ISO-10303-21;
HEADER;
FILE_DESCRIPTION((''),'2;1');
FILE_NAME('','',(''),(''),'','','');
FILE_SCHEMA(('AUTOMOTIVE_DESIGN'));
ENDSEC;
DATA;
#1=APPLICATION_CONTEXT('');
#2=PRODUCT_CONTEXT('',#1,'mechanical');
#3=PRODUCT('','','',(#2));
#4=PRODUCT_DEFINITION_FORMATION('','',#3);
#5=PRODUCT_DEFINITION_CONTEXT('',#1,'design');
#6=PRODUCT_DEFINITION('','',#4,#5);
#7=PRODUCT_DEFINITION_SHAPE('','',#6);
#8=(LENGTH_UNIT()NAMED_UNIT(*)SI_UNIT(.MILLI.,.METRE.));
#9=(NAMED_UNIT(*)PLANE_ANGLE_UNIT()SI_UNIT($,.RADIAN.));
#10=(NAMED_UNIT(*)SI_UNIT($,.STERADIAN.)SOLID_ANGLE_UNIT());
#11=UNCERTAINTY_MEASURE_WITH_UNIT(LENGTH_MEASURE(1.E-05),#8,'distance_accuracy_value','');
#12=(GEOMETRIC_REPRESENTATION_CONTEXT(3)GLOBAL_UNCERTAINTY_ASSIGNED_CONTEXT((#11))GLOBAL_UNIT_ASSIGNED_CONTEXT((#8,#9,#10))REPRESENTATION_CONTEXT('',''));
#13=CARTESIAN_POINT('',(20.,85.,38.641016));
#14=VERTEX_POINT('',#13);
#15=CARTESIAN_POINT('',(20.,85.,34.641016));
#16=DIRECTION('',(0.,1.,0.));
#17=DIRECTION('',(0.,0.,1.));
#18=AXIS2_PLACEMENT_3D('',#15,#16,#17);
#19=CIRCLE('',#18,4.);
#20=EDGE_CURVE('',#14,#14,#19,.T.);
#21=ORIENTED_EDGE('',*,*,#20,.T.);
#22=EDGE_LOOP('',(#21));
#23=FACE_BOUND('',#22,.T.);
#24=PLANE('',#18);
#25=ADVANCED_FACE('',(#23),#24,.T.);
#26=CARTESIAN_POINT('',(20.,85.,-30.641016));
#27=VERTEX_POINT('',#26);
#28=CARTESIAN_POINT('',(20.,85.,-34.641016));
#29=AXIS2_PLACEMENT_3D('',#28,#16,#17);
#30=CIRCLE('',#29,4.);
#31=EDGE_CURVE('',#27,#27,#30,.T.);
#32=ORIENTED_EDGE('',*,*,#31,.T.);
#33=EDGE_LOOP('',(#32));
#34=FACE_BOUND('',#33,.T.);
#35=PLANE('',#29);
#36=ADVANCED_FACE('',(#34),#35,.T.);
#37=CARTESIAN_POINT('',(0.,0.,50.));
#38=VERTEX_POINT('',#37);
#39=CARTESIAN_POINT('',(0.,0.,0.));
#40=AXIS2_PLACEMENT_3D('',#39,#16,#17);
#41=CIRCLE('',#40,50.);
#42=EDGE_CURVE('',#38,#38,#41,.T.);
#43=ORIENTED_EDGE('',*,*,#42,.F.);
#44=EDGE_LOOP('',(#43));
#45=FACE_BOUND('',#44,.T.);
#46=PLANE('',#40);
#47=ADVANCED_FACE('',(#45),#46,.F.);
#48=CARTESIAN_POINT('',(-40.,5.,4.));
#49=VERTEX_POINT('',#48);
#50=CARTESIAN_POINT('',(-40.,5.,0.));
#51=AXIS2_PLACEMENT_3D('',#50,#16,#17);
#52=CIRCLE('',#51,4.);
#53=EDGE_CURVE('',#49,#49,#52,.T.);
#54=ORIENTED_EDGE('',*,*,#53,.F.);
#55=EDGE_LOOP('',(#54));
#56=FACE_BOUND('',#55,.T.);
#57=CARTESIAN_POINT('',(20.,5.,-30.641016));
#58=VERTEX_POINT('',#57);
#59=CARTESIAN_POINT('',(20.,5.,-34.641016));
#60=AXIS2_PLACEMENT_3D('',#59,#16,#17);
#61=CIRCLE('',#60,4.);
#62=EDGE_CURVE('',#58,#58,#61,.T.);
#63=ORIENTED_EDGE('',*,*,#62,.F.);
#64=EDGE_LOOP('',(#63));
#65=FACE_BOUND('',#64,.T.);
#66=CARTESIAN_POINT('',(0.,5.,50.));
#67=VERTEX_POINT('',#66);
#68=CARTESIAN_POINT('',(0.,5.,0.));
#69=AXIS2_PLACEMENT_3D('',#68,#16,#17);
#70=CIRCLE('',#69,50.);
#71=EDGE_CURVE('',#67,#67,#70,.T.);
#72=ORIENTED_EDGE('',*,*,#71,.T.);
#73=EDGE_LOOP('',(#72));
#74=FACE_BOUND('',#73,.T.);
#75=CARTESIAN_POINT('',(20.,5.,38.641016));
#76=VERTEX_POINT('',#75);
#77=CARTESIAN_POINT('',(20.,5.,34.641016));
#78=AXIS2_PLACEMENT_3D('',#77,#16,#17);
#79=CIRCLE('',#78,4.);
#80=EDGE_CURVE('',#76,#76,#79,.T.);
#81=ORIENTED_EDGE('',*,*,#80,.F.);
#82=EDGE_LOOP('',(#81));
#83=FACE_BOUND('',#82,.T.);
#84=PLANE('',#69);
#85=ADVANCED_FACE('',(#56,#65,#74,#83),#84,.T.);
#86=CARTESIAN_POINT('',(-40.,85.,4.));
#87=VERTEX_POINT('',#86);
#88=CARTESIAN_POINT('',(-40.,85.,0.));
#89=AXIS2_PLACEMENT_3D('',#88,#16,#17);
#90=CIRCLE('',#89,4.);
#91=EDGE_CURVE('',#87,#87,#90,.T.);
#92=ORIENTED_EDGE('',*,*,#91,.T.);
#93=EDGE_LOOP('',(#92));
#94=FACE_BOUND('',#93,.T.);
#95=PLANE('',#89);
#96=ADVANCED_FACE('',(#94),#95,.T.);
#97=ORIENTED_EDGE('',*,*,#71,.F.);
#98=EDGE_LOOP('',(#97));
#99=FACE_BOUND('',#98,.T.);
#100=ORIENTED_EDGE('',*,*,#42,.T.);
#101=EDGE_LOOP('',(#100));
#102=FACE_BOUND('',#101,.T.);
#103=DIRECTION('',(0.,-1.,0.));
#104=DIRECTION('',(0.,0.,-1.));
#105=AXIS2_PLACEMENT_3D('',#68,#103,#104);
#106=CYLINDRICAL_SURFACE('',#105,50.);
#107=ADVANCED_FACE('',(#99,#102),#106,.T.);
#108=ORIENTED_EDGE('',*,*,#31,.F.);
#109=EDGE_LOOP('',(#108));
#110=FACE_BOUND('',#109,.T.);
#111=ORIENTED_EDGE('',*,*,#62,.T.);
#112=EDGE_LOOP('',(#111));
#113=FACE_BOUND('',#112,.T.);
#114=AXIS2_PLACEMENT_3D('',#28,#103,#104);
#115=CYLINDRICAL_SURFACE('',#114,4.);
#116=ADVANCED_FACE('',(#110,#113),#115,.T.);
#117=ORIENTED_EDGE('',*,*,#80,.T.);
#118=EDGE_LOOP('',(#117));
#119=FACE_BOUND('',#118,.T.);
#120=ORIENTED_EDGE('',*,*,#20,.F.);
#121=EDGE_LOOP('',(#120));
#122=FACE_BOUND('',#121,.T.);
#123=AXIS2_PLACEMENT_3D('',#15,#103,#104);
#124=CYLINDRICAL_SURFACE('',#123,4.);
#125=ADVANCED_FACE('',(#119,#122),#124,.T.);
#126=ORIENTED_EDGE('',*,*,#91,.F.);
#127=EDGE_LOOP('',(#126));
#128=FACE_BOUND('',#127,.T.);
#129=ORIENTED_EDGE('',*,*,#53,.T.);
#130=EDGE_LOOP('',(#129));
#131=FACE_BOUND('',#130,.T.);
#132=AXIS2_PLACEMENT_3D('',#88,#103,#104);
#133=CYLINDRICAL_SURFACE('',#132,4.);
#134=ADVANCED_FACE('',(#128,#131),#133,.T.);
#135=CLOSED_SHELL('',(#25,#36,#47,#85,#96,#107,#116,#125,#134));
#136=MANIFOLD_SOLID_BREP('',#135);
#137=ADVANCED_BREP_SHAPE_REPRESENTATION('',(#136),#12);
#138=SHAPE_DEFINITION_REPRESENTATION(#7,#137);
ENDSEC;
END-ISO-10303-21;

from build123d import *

# Parameters (mm, degrees)
SKETCH1_R           = 50
BOSS_EXTRUDE1_DEPTH = 5
SKETCH2_R           = 4
BOSS_EXTRUDE2_DEPTH = 80


with BuildPart() as part:
    # Sketch1 → Boss-Extrude1 (new body)
    with BuildSketch(Plane(origin=(0, 0, 0), x_dir=(1, 0, 0), z_dir=(0, 1, 0))):
        with Locations(Location((0, 0, 0), (0, 0, 270))):
            Circle(SKETCH1_R)
    extrude(amount=BOSS_EXTRUDE1_DEPTH)

    # Sketch2 → Boss-Extrude2 (add)
    with BuildSketch(Plane(origin=(0, 5, 0), x_dir=(1, 0, 0), z_dir=(0, 1, 0))):
        with Locations(Location((-40, 0, 0), (0, 0, 270))):
            Circle(SKETCH2_R)
        with Locations(Location((20, 34.641016151, 0), (0, 0, 270))):
            Circle(SKETCH2_R)
        with Locations(Location((20, -34.641016151, 0), (0, 0, 270))):
            Circle(SKETCH2_R)
    extrude(amount=BOSS_EXTRUDE2_DEPTH)


solid = part.part
